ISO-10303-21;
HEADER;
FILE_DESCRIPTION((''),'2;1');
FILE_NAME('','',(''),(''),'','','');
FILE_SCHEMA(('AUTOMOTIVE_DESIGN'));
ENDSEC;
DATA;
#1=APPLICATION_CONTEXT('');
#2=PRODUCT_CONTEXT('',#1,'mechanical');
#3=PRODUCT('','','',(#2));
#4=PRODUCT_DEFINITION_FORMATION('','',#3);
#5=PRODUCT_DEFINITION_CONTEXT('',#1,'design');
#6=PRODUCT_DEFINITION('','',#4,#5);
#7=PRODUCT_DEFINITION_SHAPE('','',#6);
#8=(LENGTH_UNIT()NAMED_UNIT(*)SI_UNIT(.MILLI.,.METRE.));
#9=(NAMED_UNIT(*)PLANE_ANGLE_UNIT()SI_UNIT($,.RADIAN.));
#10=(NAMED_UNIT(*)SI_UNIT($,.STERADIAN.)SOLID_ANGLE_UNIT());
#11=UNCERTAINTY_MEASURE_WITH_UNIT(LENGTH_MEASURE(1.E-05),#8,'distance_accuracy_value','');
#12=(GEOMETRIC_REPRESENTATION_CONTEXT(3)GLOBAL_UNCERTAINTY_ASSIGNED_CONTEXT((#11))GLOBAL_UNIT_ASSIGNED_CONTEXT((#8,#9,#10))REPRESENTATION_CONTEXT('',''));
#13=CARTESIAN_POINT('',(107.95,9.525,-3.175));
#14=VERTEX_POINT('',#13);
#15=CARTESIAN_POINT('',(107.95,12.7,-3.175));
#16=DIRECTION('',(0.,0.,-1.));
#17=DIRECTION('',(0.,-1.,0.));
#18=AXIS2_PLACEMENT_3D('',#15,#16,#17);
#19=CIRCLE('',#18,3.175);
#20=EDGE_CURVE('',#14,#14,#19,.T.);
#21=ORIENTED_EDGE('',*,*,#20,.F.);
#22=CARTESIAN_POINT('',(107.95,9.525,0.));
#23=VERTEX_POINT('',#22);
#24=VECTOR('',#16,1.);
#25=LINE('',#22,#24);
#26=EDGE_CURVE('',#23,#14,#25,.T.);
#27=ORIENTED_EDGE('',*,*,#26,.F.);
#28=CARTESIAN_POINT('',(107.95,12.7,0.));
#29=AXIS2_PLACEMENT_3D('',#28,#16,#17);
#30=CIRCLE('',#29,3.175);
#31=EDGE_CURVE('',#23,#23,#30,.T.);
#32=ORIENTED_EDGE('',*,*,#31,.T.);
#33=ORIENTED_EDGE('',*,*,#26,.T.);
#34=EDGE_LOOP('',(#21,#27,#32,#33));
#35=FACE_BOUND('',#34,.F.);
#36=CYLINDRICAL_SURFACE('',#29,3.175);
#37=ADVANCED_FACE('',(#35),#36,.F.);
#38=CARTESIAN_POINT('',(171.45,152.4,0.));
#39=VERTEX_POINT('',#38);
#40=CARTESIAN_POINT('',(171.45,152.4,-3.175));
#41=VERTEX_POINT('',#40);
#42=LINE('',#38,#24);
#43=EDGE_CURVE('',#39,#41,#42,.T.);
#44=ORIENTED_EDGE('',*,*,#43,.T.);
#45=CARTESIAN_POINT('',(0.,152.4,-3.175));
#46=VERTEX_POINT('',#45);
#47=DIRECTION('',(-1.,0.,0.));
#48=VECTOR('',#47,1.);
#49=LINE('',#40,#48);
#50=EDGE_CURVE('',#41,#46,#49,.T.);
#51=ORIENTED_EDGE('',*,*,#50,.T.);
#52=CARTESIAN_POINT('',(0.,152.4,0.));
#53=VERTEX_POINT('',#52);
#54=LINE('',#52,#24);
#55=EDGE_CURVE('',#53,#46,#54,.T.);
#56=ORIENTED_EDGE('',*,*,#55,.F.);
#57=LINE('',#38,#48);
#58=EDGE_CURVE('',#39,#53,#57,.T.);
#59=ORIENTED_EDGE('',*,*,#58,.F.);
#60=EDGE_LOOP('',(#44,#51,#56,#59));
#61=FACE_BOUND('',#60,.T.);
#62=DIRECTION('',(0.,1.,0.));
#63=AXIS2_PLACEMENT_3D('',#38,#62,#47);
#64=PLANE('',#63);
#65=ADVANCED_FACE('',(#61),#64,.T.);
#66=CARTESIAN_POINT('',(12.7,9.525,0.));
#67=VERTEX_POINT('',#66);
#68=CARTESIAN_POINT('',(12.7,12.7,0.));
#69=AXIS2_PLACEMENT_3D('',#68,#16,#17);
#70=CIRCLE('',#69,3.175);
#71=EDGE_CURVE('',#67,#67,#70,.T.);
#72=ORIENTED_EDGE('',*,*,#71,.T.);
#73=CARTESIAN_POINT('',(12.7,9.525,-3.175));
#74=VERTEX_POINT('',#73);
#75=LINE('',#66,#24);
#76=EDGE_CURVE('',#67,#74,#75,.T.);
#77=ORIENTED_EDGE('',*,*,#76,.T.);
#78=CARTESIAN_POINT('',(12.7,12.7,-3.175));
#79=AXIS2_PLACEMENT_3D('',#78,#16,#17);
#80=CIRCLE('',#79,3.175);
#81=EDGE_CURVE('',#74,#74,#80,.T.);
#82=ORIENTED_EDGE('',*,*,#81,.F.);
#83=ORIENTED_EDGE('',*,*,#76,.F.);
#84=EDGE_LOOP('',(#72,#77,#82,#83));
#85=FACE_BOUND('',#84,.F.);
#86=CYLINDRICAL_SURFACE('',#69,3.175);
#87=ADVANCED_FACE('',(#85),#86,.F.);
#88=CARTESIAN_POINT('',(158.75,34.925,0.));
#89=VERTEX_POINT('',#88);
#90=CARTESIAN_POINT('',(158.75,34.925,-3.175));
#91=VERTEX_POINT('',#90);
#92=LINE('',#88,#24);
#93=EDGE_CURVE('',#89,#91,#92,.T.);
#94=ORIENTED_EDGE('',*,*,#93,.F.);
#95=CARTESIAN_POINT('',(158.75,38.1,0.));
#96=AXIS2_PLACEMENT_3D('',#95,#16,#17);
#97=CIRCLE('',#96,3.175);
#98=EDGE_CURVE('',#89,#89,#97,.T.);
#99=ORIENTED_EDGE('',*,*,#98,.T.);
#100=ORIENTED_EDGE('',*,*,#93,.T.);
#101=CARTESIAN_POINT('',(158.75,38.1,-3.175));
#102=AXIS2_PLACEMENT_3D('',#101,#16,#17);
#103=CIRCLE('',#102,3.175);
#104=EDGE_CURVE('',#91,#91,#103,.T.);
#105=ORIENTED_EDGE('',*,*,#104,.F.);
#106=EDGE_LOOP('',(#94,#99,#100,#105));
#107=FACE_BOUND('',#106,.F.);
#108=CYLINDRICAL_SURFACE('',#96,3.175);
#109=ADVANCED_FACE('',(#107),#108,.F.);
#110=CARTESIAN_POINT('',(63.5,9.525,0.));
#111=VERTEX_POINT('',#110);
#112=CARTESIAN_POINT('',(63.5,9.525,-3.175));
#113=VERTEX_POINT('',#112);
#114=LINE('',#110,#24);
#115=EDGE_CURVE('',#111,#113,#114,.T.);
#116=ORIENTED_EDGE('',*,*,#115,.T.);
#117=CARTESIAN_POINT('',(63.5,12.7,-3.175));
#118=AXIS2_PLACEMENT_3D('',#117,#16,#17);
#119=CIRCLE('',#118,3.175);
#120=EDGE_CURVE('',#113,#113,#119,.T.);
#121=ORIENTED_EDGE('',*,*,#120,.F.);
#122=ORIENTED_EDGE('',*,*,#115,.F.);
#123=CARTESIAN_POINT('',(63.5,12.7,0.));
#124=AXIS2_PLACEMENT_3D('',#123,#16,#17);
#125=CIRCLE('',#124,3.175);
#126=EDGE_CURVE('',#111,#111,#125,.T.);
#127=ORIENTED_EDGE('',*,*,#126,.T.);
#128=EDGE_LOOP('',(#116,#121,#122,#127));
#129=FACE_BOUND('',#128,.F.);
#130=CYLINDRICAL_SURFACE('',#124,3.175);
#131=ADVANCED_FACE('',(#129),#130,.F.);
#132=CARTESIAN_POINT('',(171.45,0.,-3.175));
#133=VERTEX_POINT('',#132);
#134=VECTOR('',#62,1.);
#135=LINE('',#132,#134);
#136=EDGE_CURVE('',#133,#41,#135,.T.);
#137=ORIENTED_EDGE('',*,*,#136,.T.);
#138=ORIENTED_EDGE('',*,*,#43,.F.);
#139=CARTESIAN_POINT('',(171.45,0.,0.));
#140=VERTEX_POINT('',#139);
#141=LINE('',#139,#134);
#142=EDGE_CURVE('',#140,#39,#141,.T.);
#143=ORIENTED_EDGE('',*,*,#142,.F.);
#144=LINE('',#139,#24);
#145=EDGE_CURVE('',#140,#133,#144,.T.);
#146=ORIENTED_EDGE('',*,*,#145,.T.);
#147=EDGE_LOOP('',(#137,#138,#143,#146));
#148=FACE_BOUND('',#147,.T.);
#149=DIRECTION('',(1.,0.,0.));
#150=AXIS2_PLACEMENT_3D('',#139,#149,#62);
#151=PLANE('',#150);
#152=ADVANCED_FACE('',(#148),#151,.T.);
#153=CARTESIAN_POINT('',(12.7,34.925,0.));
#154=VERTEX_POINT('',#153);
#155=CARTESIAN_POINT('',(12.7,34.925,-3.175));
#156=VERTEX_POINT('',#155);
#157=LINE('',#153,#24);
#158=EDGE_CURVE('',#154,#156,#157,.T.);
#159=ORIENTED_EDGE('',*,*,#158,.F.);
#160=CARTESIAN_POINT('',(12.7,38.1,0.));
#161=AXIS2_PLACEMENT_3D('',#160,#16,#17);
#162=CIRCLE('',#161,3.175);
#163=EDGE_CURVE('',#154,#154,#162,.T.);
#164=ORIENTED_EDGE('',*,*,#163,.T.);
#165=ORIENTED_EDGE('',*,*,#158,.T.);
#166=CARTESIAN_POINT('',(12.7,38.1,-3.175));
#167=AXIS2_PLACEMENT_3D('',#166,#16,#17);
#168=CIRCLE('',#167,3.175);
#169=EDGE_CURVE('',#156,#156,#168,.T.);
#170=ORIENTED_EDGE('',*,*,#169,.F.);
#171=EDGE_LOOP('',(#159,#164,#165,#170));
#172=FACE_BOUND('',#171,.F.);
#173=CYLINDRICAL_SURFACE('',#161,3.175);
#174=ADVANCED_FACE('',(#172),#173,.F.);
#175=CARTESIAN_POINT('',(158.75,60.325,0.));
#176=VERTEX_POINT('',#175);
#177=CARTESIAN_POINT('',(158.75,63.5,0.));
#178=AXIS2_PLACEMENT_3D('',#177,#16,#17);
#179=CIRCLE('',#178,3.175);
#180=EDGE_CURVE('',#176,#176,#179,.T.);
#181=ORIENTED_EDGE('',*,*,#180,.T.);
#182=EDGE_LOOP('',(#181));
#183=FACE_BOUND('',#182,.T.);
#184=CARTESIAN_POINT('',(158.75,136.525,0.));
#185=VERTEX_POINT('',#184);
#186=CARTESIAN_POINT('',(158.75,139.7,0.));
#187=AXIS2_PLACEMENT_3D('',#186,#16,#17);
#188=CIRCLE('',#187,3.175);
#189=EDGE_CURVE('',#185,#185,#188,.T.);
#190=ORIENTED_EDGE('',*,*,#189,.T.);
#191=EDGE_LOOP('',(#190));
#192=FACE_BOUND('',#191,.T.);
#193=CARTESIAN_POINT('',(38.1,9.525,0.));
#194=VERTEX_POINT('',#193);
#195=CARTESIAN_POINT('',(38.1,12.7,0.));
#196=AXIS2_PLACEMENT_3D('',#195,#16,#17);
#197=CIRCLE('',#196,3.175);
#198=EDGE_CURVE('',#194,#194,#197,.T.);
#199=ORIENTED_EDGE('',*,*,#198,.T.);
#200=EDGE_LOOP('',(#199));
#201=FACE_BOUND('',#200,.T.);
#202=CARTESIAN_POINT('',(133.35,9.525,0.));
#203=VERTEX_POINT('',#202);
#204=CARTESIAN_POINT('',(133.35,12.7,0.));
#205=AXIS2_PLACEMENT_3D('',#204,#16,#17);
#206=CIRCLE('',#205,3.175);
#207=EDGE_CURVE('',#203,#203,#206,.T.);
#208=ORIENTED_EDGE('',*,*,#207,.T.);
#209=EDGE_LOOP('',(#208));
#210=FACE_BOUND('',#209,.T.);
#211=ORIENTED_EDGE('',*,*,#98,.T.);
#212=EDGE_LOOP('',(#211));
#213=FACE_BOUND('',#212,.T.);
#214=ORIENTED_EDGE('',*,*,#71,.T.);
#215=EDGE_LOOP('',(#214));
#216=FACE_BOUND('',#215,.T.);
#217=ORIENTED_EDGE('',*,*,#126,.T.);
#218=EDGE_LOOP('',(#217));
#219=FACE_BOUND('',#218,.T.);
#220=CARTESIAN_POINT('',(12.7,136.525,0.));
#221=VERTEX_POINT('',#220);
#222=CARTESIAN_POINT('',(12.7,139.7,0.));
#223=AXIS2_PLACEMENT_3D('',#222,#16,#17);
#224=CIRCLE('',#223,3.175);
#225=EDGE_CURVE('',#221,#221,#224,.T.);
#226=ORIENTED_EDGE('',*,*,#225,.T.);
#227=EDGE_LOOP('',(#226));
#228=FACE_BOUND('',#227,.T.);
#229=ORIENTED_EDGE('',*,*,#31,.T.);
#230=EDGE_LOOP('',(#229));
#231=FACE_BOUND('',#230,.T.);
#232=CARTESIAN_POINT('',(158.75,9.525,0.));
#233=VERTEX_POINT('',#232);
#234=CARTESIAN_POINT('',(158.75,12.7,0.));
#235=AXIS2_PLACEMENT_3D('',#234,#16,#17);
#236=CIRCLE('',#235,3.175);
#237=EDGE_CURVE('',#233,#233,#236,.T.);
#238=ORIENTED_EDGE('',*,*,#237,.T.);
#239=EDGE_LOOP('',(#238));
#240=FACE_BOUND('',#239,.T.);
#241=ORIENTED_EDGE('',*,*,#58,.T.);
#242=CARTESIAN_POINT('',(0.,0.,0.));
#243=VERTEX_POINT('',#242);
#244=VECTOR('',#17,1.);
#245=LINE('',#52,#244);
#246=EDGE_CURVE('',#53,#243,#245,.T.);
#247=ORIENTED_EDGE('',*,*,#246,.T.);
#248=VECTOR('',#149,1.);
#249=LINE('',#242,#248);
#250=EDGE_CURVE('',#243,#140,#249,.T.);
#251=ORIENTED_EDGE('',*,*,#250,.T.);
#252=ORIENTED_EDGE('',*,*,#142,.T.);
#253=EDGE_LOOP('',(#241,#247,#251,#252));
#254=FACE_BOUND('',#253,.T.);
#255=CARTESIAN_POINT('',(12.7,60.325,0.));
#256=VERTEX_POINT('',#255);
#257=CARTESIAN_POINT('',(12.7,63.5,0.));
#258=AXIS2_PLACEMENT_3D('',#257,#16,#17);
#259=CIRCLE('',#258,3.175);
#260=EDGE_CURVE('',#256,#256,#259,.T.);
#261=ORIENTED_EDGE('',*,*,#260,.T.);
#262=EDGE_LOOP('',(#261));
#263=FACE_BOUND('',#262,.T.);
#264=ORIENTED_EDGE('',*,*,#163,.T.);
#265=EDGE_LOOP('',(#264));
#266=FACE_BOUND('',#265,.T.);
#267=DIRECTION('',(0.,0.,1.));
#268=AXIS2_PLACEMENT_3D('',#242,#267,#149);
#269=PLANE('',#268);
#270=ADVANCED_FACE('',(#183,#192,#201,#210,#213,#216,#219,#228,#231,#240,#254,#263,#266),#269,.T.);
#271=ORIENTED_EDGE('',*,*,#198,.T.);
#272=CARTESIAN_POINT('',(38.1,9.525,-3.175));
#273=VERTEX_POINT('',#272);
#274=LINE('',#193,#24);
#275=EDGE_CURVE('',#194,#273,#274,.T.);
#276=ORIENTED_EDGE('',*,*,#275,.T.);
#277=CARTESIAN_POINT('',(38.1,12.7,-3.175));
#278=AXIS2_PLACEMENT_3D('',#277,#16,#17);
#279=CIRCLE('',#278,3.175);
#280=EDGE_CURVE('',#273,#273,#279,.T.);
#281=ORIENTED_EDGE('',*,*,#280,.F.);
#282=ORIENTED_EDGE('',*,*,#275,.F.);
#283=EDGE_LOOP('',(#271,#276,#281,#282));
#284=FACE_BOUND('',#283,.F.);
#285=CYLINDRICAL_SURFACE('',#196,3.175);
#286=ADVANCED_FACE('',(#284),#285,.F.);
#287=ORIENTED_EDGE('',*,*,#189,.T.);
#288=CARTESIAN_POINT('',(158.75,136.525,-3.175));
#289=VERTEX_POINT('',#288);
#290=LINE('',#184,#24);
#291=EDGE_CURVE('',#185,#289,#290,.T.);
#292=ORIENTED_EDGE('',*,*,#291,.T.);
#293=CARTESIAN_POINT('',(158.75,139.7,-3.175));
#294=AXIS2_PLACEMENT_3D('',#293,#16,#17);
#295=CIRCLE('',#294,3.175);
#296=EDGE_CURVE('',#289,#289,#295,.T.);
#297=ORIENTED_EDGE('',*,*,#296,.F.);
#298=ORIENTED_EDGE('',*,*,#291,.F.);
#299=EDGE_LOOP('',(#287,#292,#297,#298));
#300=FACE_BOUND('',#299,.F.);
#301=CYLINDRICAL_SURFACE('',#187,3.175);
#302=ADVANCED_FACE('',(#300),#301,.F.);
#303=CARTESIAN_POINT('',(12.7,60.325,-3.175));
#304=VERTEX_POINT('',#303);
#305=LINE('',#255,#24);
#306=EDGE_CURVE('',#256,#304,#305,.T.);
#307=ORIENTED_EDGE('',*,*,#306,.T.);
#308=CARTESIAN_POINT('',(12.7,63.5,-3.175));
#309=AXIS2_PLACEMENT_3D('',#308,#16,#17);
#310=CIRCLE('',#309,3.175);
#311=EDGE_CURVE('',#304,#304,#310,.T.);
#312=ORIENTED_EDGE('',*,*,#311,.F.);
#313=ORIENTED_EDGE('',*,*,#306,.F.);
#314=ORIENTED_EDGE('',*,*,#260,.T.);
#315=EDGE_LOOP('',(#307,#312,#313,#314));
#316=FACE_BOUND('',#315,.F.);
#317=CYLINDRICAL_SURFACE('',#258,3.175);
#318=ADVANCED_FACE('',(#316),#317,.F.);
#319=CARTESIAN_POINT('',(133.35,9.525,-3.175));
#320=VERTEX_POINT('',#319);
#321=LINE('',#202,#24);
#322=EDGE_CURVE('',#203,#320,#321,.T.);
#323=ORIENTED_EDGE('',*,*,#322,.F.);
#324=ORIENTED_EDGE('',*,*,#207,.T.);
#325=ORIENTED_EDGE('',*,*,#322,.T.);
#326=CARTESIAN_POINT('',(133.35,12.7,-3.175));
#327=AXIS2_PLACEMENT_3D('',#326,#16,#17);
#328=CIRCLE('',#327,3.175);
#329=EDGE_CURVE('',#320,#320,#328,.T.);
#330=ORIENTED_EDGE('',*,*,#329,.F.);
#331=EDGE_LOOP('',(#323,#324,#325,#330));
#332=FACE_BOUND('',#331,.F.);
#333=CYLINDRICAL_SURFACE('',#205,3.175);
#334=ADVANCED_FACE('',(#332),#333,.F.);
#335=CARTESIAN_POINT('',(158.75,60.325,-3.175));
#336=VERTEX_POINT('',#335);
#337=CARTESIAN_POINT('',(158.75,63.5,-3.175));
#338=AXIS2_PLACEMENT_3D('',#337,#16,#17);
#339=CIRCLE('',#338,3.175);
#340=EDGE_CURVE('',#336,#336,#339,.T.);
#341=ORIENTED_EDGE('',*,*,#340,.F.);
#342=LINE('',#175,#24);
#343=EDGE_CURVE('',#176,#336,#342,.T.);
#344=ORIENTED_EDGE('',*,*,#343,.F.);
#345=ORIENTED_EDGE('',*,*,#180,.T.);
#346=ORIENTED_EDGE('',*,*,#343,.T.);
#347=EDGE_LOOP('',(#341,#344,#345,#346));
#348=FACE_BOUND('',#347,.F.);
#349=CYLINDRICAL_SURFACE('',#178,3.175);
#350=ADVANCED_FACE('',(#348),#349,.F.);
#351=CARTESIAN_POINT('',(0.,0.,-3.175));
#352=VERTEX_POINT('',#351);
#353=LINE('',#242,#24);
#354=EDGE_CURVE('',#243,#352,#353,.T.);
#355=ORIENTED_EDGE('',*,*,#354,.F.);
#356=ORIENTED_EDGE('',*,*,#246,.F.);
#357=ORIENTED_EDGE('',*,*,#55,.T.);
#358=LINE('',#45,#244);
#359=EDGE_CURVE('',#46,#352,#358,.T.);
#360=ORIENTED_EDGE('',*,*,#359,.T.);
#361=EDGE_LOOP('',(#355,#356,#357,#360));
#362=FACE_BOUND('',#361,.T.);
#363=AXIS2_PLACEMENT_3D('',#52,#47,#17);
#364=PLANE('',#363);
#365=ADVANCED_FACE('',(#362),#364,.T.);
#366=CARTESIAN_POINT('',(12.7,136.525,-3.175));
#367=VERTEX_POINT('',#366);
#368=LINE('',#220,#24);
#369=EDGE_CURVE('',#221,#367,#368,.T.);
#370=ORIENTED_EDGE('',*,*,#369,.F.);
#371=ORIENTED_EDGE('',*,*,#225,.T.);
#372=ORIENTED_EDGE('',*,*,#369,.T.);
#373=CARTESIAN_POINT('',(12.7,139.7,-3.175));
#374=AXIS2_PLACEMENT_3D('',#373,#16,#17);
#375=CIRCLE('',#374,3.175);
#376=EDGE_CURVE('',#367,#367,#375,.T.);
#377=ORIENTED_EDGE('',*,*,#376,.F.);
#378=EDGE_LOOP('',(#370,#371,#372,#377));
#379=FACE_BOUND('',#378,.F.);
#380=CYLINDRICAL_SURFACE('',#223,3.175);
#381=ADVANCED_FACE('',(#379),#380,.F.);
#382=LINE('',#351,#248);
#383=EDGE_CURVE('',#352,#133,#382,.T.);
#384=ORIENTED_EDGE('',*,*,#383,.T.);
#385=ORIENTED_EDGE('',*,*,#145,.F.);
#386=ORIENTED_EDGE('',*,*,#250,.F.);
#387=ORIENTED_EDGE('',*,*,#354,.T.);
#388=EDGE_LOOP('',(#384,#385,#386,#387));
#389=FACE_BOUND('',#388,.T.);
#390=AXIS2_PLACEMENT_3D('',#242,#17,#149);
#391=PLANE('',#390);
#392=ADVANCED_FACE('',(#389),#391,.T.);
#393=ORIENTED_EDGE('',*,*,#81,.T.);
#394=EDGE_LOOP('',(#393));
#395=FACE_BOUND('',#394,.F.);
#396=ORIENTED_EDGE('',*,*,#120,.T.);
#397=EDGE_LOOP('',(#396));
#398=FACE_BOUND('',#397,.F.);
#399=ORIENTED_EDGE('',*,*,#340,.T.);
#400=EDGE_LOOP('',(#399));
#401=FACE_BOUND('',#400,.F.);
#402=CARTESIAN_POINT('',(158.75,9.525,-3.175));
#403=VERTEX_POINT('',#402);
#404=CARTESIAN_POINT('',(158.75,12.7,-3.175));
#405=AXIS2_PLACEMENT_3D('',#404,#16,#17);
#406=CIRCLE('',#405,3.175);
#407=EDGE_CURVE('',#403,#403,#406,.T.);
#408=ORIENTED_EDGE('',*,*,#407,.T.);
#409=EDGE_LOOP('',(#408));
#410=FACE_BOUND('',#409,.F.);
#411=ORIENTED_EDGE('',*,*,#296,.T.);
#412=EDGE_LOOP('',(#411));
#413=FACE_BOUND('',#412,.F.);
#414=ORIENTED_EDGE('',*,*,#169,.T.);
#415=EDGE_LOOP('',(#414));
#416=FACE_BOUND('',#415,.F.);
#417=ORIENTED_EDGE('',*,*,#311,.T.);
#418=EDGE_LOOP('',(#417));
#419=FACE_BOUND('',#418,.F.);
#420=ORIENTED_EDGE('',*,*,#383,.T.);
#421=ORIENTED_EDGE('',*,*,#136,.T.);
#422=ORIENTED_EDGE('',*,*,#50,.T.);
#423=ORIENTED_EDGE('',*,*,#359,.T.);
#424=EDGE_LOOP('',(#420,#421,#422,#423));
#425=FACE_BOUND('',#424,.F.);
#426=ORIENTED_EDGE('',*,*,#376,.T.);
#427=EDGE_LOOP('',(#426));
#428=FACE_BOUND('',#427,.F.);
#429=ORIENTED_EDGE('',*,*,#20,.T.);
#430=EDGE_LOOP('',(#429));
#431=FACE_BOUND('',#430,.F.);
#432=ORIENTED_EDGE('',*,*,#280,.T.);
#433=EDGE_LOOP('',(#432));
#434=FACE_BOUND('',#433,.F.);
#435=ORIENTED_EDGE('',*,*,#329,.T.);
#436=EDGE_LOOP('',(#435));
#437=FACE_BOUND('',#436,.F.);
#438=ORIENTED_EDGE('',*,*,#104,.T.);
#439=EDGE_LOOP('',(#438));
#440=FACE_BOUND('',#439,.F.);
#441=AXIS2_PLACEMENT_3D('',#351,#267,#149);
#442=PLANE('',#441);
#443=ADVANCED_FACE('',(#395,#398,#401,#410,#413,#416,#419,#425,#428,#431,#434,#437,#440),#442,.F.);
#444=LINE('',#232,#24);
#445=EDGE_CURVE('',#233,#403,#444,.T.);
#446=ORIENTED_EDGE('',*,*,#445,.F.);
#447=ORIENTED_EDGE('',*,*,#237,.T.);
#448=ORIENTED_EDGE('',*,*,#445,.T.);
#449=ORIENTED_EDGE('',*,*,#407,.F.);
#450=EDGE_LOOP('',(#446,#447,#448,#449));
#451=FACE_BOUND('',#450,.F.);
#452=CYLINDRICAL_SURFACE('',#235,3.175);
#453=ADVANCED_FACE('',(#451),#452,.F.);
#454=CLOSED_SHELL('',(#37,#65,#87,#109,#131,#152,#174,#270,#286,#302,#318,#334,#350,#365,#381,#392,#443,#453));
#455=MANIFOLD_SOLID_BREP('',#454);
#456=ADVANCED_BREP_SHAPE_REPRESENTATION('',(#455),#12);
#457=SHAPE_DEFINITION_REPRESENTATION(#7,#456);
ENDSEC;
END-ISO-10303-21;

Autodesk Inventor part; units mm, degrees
ref_plane "YZ Plane" through (0, 0, 0) normal (1, 0, 0) x (0, 1, 0)
ref_plane "XZ Plane" through (0, 0, 0) normal (0, 1, 0) x (-1, 0, 0)
ref_plane "XY Plane" through (0, 0, 0) normal (0, 0, 1) x (1, 0, 0)
sketch "Sketch1" plane through (0, 0, 0) normal (0, 0, 1) x (1, 0, 0)
  line L0 (0, 0) -> (171.45, 0)
  line L1 (171.45, 0) -> (171.45, 152.4)
  line L2 (171.45, 152.4) -> (0, 152.4)
  line L3 (0, 152.4) -> (0, 0)
  point P0 (12.7, 12.7)
  point P1 (12.7, 38.1)
  point P2 (12.7, 63.5)
  point P3 (38.1, 12.7)
  point P4 (63.5, 12.7)
  point P5 (107.95, 12.7)
  point P6 (133.35, 12.7)
  point P7 (158.75, 12.7)
  point P8 (158.75, 38.1)
  point P9 (158.75, 63.5)
  point P10 (158.75, 139.7)
  point P11 (12.7, 139.7)
  dimension "d0" = 171.45
  dimension "d1" = 152.4
  dimension "d2" = 12.7
  dimension "d3" = 12.7
  dimension "d4" = 12.7
  dimension "d5" = 25.4
  dimension "d6" = 25.4
  dimension "d7" = 25.4
  dimension "d8" = 25.4
  dimension "d9" = 25.4
  dimension "d10" = 25.4
  dimension "d11" = 25.4
  dimension "d12" = 25.4
  dimension "d22" = 12.7
extrude "Extrusion1" add sketch "Sketch1" against normal blind 3.175
hole "Hole1" at (12.7, 12.7, 0) at (12.7, 38.1, 0) at (12.7, 63.5, 0) at (38.1, 12.7, 0) at (63.5, 12.7, 0) at (107.95, 12.7, 0) at (133.35, 12.7, 0) at (158.75, 12.7, 0) at (158.75, 38.1, 0) at (158.75, 63.5, 0) at (12.7, 139.7, 0) at (158.75, 139.7, 0) direction (0, 0, -1) diameter 6.35 depth 25.4 tip angle 118
properties part number "bambar plate"
